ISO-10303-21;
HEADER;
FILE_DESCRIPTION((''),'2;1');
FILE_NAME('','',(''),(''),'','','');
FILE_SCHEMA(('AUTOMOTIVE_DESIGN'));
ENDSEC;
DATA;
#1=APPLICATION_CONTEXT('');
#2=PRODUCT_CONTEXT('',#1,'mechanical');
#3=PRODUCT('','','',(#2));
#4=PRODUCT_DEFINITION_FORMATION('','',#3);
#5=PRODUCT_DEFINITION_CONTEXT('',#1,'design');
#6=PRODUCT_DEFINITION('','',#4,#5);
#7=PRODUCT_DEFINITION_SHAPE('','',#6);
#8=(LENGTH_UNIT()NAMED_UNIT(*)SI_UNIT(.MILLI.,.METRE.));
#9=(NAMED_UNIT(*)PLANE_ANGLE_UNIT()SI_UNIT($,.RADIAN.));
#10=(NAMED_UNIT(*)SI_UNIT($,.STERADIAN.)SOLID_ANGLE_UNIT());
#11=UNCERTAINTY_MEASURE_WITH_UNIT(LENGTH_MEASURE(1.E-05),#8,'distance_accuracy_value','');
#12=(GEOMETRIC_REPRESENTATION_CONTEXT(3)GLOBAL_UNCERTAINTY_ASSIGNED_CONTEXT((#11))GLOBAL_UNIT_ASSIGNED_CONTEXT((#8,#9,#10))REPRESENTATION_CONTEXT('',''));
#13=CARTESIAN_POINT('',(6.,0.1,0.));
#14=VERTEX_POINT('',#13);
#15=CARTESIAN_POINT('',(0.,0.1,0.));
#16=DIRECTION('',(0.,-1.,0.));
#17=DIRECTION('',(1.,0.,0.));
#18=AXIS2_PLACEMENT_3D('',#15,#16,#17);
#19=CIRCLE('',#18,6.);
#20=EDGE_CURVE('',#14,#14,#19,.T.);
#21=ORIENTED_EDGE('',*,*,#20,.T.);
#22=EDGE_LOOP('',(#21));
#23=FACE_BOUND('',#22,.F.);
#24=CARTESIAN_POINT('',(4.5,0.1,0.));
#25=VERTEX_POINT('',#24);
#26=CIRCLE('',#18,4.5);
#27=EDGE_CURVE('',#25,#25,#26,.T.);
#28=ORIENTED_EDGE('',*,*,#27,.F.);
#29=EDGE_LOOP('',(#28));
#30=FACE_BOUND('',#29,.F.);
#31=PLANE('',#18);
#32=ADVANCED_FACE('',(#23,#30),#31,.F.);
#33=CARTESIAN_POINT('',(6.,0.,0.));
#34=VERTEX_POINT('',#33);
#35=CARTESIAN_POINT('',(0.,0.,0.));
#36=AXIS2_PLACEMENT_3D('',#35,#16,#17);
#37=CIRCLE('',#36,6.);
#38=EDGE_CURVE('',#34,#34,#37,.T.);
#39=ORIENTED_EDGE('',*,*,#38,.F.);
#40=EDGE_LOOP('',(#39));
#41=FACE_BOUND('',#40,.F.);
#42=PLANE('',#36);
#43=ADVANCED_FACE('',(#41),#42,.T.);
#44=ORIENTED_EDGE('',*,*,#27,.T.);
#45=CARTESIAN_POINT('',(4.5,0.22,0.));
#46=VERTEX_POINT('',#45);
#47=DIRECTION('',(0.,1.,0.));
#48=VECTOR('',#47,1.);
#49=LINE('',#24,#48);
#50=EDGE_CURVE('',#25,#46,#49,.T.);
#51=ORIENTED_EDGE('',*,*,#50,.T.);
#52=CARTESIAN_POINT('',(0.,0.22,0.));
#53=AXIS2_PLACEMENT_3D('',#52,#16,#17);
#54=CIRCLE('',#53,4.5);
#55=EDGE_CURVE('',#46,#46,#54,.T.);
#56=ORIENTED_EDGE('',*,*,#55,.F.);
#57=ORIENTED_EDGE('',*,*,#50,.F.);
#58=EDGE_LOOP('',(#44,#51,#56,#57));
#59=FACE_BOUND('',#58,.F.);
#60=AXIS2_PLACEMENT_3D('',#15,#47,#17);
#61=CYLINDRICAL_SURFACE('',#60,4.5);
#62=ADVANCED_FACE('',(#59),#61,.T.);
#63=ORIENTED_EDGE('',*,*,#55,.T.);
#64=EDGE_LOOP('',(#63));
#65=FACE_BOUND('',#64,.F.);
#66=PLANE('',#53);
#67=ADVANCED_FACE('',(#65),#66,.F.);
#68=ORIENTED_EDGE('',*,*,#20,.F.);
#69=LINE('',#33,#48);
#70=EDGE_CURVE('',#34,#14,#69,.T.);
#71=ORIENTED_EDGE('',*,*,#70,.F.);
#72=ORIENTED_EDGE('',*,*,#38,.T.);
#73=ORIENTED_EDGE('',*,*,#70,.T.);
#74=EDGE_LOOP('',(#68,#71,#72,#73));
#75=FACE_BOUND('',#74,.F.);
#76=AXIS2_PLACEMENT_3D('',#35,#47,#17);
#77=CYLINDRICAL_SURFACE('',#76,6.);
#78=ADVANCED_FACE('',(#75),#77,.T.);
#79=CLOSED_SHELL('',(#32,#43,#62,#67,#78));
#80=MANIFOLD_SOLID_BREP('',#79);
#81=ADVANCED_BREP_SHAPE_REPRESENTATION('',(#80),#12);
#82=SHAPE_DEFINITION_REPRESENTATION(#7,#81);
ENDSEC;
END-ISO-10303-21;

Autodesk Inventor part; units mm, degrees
ref_plane "YZ Plane" through (0, 0, 0) normal (1, 0, 0) x (0, 1, 0)
ref_plane "XZ Plane" through (0, 0, 0) normal (0, 1, 0) x (-1, 0, 0)
ref_plane "XY Plane" through (0, 0, 0) normal (0, 0, 1) x (1, 0, 0)
sketch "Sketch1" plane through (0, 0, 0) normal (0, 0, 1) x (1, 0, 0)
  line L0 (0, 0) -> (6, 0)
  line L1 (6, 0) -> (6, 0.1)
  line L2 (6, 0.1) -> (0, 0.1)
  line L3 (0, 0.1) -> (0, 0)
  line L4 (0, 0.1) -> (4.5, 0.1)
  line L5 (4.5, 0.1) -> (4.5, 0.22)
  line L6 (4.5, 0.22) -> (0, 0.22)
  line L7 (0, 0.22) -> (0, 0.1)
  dimension "d0" = 6
  dimension "d1" = 0.1
  dimension "d2" = 4.5
  dimension "d3" = 0.12
revolve "Revolution1" add sketch "Sketch1" angle 360 about axis through (0, 0.22, 0) along (0, -1, 0)
properties part number "12mmPiezo"
